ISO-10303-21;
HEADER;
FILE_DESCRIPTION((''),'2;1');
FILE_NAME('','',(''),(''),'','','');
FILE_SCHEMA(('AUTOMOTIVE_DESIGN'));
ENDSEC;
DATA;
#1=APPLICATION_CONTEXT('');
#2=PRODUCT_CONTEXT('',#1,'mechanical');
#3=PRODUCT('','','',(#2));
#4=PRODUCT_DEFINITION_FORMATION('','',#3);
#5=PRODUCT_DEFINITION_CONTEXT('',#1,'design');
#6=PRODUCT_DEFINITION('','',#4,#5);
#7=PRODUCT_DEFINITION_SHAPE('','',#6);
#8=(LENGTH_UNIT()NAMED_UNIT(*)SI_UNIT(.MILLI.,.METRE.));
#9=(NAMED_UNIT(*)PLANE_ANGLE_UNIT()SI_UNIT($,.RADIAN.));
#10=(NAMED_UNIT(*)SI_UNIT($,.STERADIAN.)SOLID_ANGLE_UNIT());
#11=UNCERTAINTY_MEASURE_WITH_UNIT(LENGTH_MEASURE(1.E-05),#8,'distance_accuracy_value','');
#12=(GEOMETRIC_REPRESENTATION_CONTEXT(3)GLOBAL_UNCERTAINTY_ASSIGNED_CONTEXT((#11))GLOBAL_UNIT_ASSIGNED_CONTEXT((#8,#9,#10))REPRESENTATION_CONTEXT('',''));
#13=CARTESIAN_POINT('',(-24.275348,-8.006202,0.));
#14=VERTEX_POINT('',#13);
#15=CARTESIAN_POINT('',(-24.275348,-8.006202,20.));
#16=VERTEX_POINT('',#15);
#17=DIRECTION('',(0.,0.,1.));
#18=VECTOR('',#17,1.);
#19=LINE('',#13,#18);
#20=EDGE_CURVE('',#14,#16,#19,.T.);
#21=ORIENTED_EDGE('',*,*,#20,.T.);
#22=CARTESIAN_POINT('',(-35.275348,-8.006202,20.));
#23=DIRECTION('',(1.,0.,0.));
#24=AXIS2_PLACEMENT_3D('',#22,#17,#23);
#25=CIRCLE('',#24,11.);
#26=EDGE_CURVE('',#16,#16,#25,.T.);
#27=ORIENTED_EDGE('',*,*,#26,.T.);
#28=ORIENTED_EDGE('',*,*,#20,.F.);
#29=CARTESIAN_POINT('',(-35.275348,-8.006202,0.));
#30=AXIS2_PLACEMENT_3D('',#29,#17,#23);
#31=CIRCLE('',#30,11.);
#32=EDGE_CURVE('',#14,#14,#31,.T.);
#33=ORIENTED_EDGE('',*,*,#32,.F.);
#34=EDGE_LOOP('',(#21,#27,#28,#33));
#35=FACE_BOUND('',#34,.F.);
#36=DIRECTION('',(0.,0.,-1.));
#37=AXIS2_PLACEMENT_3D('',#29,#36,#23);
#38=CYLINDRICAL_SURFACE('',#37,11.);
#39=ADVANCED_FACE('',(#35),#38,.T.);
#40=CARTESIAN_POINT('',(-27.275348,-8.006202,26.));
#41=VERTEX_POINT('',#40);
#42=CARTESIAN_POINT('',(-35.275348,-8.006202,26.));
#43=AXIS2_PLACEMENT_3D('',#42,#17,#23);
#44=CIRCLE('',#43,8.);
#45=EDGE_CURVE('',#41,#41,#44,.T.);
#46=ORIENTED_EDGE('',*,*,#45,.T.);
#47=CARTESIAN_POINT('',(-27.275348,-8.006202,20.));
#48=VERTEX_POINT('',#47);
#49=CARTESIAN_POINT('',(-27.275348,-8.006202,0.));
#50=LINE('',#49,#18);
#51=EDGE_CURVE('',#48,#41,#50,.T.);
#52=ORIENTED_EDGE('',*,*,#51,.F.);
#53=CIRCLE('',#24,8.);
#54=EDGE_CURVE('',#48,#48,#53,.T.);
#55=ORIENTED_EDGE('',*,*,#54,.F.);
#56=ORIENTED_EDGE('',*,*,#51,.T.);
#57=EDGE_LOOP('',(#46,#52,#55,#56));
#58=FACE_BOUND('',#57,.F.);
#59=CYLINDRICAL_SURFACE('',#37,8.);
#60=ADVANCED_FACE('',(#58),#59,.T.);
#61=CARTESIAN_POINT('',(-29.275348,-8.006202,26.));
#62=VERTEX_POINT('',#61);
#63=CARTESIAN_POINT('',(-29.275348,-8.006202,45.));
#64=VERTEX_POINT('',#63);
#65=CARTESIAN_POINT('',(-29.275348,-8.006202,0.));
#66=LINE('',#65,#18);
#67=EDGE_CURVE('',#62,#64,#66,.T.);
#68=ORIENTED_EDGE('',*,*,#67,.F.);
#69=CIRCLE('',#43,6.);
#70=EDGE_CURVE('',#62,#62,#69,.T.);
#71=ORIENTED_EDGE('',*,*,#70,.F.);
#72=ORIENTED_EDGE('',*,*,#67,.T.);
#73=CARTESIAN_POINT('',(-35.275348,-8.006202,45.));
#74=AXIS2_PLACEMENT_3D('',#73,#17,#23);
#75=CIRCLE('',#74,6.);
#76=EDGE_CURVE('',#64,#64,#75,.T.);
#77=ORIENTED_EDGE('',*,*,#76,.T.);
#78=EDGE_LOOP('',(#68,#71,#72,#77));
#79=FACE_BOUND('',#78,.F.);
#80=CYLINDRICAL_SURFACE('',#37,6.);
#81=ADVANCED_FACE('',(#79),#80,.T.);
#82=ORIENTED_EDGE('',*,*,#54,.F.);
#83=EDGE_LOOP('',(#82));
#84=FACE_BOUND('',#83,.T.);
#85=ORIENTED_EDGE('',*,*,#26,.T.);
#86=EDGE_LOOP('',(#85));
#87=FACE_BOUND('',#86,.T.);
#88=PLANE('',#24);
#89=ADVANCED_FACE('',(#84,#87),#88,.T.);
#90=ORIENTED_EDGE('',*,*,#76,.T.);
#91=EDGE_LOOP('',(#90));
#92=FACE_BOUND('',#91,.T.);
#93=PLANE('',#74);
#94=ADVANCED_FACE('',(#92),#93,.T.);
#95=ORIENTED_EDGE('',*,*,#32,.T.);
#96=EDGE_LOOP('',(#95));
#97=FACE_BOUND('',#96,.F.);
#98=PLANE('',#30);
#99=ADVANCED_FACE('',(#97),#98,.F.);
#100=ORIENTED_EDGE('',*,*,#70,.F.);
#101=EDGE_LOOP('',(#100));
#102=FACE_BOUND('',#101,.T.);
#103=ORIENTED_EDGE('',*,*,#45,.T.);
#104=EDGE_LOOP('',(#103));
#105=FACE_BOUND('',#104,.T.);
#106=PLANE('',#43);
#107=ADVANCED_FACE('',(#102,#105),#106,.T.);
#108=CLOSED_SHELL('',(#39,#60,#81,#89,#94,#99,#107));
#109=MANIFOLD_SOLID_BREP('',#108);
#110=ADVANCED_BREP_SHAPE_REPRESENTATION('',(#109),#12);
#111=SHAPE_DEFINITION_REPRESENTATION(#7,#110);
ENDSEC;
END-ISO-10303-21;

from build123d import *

# Parameters (mm, degrees)
F0_R     = 6
F1_DEPTH = 45
F0_R_2   = 8
F2_DEPTH = 26
F0_R_3   = 11
F3_DEPTH = 20


with BuildPart() as f1:
    # F0 (on Top) → F1 (new body)
    with BuildSketch(Plane.XY):
        with Locations((-35.2753475308, -8.006202057)):
            Circle(F0_R)
    extrude(amount=F1_DEPTH)

    # F0 (on Top) → F2 (join)
    with BuildSketch(Plane.XY):
        with Locations((-35.2753475308, -8.006202057)):
            Circle(F0_R_2)
        with Locations((-35.2753475308, -8.006202057)):
            Circle(F0_R, mode=Mode.SUBTRACT)
    extrude(amount=F2_DEPTH)

    # F0 (on Top) → F3 (join)
    with BuildSketch(Plane.XY):
        with Locations((-35.2753475308, -8.006202057)):
            Circle(F0_R_3)
        with Locations((-35.2753475308, -8.006202057)):
            Circle(F0_R_2, mode=Mode.SUBTRACT)
    extrude(amount=F3_DEPTH)


solid = f1.part
